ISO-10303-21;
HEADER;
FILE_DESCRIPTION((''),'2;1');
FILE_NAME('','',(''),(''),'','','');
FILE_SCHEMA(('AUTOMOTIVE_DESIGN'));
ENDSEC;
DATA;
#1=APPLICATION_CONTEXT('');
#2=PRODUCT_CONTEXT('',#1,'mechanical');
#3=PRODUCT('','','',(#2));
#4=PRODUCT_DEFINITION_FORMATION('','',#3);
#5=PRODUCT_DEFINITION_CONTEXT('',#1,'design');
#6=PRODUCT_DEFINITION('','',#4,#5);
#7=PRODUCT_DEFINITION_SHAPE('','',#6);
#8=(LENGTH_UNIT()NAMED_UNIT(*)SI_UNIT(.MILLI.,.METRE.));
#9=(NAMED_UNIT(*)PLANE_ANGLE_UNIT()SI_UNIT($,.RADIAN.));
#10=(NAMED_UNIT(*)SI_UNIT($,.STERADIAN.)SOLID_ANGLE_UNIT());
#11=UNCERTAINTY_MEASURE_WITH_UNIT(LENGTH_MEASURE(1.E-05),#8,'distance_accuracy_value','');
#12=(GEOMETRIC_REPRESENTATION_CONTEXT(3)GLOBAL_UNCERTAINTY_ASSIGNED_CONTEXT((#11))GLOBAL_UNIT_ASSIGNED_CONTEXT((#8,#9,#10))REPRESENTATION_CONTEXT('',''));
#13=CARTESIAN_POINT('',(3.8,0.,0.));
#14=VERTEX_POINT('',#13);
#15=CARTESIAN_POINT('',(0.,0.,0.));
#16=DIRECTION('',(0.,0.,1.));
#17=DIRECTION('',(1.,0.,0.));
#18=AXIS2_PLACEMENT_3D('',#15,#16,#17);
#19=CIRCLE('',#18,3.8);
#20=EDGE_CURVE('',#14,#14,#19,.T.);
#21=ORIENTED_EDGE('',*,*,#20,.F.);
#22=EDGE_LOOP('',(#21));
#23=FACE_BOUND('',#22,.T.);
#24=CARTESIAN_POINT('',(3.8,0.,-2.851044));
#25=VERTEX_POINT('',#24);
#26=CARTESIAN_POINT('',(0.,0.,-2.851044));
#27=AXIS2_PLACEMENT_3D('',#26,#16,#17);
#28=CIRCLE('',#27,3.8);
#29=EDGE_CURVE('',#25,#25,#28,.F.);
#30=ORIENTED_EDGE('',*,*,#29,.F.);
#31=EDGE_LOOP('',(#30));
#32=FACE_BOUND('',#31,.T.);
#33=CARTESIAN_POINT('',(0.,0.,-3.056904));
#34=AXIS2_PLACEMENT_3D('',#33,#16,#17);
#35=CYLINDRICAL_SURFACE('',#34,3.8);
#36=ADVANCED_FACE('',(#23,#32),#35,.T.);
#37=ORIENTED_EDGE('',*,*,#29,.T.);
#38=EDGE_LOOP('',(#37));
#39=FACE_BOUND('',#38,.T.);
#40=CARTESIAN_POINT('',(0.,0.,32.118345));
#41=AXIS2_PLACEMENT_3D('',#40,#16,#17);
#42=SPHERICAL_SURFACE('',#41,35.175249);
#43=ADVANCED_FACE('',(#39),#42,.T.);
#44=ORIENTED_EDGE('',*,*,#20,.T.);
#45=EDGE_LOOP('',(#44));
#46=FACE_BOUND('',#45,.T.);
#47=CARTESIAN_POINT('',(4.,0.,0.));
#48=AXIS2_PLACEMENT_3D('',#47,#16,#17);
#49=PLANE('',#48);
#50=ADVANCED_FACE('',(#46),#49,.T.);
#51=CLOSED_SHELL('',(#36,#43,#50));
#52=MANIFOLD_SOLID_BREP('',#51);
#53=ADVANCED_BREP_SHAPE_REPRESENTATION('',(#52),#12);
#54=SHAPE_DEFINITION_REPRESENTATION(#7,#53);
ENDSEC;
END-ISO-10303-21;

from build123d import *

# Parameters (mm, degrees)
SKETCH3_R          = 4
SKETCH3_R_2        = 3.8
CUT_EXTRUDE1_DEPTH = 7.429981588


with BuildPart() as part:
    # Sketch2 → Revolve1 (revolve)
    with BuildSketch(Plane(origin=(0, 0, 0), x_dir=(1, 0, 0), z_dir=(0, 1, 0))):
        with BuildLine():
            Line((0, 0), (0, 3.05690419))
            ThreePointArc((0, 3.05690419), (2.003251281, 2.999814688), (4, 2.828731492))
            Line((4, 2.828731492), (4, 0))
            Line((4, 0), (0, 0))
        make_face()
    revolve(axis=Axis((0, 0, 0), (0, 0, -1)))

    # Sketch3 → Cut-Extrude1 (cut, through all)
    with BuildSketch(Plane.XY):
        Circle(SKETCH3_R)
        Circle(SKETCH3_R_2, mode=Mode.SUBTRACT)
    extrude(amount=-CUT_EXTRUDE1_DEPTH, mode=Mode.SUBTRACT)


solid = part.part
